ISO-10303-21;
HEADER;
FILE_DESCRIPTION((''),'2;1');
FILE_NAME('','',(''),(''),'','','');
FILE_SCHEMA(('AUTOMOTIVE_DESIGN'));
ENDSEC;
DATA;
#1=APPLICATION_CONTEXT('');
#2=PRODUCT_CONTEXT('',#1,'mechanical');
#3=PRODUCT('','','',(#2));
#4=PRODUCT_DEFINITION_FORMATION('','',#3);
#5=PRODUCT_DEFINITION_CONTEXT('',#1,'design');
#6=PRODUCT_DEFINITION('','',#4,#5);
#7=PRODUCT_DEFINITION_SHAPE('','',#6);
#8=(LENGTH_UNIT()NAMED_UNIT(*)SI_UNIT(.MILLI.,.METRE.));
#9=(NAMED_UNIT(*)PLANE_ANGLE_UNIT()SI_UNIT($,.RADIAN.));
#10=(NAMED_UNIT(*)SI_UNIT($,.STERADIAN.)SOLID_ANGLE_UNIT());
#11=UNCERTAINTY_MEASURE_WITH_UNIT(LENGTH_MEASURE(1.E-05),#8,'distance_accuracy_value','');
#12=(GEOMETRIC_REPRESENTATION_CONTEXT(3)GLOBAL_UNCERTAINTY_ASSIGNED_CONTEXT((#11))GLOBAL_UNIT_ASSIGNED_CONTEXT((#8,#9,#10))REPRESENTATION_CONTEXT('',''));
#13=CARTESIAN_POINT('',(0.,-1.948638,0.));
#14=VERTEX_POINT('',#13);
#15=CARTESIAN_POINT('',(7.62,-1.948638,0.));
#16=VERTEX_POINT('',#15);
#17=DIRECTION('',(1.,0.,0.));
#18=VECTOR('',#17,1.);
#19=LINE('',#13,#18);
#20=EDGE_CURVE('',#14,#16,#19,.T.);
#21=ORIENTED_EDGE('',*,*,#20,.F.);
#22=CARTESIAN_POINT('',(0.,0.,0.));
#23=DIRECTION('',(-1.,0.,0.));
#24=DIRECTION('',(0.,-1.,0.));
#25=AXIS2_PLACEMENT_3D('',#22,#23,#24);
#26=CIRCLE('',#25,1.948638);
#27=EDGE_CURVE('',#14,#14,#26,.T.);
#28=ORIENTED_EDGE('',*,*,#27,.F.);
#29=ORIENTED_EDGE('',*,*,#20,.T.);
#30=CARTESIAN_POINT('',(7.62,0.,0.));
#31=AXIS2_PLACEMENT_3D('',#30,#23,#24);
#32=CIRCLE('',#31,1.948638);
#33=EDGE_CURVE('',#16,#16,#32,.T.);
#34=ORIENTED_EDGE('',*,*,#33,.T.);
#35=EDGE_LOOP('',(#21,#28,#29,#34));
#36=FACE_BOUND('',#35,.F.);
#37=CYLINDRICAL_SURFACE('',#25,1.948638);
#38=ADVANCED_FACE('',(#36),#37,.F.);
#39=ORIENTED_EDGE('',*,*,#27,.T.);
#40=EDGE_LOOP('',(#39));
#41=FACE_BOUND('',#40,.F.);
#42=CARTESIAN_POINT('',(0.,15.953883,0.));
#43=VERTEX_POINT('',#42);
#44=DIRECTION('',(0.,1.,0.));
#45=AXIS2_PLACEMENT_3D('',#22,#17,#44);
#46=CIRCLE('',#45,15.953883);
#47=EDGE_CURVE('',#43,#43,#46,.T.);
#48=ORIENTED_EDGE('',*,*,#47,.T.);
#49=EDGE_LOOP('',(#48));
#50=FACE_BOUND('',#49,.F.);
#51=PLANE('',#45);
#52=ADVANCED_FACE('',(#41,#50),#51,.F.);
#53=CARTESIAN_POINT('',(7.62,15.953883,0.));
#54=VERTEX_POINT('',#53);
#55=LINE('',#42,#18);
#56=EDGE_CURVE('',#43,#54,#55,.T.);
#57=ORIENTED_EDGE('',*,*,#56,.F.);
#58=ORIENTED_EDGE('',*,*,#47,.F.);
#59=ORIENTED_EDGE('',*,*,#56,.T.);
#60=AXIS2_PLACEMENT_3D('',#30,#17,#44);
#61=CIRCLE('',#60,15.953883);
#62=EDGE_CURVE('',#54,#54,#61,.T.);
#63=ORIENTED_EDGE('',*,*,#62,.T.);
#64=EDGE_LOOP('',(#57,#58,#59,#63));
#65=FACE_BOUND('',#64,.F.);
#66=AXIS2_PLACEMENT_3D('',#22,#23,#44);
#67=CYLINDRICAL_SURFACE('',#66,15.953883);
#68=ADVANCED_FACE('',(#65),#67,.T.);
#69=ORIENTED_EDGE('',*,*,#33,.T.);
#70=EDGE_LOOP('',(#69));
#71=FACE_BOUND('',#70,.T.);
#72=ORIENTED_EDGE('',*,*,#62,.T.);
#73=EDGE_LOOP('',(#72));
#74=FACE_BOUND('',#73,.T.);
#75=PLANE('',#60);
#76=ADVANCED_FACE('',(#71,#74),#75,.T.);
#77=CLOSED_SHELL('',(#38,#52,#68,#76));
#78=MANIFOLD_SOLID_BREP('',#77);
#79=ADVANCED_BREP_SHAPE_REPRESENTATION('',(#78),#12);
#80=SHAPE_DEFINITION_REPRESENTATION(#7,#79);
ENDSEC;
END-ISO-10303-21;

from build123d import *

# Parameters (mm, degrees)
F0_R     = 15.953883
F1_DEPTH = 7.62
F2_R     = 1.948638
F3_DEPTH = 25.4


with BuildPart() as f1:
    # F0 (on Right) → F1 (new body)
    with BuildSketch(Plane.YZ):
        Circle(F0_R)
    extrude(amount=F1_DEPTH)

    # F2 (on face) → F3 (cut)
    with BuildSketch(Plane(origin=(0, 0, 0), x_dir=(0, -1, 0), z_dir=(-1, 0, 0))):
        Circle(F2_R)
    extrude(amount=-F3_DEPTH, mode=Mode.SUBTRACT)


solid = f1.part
